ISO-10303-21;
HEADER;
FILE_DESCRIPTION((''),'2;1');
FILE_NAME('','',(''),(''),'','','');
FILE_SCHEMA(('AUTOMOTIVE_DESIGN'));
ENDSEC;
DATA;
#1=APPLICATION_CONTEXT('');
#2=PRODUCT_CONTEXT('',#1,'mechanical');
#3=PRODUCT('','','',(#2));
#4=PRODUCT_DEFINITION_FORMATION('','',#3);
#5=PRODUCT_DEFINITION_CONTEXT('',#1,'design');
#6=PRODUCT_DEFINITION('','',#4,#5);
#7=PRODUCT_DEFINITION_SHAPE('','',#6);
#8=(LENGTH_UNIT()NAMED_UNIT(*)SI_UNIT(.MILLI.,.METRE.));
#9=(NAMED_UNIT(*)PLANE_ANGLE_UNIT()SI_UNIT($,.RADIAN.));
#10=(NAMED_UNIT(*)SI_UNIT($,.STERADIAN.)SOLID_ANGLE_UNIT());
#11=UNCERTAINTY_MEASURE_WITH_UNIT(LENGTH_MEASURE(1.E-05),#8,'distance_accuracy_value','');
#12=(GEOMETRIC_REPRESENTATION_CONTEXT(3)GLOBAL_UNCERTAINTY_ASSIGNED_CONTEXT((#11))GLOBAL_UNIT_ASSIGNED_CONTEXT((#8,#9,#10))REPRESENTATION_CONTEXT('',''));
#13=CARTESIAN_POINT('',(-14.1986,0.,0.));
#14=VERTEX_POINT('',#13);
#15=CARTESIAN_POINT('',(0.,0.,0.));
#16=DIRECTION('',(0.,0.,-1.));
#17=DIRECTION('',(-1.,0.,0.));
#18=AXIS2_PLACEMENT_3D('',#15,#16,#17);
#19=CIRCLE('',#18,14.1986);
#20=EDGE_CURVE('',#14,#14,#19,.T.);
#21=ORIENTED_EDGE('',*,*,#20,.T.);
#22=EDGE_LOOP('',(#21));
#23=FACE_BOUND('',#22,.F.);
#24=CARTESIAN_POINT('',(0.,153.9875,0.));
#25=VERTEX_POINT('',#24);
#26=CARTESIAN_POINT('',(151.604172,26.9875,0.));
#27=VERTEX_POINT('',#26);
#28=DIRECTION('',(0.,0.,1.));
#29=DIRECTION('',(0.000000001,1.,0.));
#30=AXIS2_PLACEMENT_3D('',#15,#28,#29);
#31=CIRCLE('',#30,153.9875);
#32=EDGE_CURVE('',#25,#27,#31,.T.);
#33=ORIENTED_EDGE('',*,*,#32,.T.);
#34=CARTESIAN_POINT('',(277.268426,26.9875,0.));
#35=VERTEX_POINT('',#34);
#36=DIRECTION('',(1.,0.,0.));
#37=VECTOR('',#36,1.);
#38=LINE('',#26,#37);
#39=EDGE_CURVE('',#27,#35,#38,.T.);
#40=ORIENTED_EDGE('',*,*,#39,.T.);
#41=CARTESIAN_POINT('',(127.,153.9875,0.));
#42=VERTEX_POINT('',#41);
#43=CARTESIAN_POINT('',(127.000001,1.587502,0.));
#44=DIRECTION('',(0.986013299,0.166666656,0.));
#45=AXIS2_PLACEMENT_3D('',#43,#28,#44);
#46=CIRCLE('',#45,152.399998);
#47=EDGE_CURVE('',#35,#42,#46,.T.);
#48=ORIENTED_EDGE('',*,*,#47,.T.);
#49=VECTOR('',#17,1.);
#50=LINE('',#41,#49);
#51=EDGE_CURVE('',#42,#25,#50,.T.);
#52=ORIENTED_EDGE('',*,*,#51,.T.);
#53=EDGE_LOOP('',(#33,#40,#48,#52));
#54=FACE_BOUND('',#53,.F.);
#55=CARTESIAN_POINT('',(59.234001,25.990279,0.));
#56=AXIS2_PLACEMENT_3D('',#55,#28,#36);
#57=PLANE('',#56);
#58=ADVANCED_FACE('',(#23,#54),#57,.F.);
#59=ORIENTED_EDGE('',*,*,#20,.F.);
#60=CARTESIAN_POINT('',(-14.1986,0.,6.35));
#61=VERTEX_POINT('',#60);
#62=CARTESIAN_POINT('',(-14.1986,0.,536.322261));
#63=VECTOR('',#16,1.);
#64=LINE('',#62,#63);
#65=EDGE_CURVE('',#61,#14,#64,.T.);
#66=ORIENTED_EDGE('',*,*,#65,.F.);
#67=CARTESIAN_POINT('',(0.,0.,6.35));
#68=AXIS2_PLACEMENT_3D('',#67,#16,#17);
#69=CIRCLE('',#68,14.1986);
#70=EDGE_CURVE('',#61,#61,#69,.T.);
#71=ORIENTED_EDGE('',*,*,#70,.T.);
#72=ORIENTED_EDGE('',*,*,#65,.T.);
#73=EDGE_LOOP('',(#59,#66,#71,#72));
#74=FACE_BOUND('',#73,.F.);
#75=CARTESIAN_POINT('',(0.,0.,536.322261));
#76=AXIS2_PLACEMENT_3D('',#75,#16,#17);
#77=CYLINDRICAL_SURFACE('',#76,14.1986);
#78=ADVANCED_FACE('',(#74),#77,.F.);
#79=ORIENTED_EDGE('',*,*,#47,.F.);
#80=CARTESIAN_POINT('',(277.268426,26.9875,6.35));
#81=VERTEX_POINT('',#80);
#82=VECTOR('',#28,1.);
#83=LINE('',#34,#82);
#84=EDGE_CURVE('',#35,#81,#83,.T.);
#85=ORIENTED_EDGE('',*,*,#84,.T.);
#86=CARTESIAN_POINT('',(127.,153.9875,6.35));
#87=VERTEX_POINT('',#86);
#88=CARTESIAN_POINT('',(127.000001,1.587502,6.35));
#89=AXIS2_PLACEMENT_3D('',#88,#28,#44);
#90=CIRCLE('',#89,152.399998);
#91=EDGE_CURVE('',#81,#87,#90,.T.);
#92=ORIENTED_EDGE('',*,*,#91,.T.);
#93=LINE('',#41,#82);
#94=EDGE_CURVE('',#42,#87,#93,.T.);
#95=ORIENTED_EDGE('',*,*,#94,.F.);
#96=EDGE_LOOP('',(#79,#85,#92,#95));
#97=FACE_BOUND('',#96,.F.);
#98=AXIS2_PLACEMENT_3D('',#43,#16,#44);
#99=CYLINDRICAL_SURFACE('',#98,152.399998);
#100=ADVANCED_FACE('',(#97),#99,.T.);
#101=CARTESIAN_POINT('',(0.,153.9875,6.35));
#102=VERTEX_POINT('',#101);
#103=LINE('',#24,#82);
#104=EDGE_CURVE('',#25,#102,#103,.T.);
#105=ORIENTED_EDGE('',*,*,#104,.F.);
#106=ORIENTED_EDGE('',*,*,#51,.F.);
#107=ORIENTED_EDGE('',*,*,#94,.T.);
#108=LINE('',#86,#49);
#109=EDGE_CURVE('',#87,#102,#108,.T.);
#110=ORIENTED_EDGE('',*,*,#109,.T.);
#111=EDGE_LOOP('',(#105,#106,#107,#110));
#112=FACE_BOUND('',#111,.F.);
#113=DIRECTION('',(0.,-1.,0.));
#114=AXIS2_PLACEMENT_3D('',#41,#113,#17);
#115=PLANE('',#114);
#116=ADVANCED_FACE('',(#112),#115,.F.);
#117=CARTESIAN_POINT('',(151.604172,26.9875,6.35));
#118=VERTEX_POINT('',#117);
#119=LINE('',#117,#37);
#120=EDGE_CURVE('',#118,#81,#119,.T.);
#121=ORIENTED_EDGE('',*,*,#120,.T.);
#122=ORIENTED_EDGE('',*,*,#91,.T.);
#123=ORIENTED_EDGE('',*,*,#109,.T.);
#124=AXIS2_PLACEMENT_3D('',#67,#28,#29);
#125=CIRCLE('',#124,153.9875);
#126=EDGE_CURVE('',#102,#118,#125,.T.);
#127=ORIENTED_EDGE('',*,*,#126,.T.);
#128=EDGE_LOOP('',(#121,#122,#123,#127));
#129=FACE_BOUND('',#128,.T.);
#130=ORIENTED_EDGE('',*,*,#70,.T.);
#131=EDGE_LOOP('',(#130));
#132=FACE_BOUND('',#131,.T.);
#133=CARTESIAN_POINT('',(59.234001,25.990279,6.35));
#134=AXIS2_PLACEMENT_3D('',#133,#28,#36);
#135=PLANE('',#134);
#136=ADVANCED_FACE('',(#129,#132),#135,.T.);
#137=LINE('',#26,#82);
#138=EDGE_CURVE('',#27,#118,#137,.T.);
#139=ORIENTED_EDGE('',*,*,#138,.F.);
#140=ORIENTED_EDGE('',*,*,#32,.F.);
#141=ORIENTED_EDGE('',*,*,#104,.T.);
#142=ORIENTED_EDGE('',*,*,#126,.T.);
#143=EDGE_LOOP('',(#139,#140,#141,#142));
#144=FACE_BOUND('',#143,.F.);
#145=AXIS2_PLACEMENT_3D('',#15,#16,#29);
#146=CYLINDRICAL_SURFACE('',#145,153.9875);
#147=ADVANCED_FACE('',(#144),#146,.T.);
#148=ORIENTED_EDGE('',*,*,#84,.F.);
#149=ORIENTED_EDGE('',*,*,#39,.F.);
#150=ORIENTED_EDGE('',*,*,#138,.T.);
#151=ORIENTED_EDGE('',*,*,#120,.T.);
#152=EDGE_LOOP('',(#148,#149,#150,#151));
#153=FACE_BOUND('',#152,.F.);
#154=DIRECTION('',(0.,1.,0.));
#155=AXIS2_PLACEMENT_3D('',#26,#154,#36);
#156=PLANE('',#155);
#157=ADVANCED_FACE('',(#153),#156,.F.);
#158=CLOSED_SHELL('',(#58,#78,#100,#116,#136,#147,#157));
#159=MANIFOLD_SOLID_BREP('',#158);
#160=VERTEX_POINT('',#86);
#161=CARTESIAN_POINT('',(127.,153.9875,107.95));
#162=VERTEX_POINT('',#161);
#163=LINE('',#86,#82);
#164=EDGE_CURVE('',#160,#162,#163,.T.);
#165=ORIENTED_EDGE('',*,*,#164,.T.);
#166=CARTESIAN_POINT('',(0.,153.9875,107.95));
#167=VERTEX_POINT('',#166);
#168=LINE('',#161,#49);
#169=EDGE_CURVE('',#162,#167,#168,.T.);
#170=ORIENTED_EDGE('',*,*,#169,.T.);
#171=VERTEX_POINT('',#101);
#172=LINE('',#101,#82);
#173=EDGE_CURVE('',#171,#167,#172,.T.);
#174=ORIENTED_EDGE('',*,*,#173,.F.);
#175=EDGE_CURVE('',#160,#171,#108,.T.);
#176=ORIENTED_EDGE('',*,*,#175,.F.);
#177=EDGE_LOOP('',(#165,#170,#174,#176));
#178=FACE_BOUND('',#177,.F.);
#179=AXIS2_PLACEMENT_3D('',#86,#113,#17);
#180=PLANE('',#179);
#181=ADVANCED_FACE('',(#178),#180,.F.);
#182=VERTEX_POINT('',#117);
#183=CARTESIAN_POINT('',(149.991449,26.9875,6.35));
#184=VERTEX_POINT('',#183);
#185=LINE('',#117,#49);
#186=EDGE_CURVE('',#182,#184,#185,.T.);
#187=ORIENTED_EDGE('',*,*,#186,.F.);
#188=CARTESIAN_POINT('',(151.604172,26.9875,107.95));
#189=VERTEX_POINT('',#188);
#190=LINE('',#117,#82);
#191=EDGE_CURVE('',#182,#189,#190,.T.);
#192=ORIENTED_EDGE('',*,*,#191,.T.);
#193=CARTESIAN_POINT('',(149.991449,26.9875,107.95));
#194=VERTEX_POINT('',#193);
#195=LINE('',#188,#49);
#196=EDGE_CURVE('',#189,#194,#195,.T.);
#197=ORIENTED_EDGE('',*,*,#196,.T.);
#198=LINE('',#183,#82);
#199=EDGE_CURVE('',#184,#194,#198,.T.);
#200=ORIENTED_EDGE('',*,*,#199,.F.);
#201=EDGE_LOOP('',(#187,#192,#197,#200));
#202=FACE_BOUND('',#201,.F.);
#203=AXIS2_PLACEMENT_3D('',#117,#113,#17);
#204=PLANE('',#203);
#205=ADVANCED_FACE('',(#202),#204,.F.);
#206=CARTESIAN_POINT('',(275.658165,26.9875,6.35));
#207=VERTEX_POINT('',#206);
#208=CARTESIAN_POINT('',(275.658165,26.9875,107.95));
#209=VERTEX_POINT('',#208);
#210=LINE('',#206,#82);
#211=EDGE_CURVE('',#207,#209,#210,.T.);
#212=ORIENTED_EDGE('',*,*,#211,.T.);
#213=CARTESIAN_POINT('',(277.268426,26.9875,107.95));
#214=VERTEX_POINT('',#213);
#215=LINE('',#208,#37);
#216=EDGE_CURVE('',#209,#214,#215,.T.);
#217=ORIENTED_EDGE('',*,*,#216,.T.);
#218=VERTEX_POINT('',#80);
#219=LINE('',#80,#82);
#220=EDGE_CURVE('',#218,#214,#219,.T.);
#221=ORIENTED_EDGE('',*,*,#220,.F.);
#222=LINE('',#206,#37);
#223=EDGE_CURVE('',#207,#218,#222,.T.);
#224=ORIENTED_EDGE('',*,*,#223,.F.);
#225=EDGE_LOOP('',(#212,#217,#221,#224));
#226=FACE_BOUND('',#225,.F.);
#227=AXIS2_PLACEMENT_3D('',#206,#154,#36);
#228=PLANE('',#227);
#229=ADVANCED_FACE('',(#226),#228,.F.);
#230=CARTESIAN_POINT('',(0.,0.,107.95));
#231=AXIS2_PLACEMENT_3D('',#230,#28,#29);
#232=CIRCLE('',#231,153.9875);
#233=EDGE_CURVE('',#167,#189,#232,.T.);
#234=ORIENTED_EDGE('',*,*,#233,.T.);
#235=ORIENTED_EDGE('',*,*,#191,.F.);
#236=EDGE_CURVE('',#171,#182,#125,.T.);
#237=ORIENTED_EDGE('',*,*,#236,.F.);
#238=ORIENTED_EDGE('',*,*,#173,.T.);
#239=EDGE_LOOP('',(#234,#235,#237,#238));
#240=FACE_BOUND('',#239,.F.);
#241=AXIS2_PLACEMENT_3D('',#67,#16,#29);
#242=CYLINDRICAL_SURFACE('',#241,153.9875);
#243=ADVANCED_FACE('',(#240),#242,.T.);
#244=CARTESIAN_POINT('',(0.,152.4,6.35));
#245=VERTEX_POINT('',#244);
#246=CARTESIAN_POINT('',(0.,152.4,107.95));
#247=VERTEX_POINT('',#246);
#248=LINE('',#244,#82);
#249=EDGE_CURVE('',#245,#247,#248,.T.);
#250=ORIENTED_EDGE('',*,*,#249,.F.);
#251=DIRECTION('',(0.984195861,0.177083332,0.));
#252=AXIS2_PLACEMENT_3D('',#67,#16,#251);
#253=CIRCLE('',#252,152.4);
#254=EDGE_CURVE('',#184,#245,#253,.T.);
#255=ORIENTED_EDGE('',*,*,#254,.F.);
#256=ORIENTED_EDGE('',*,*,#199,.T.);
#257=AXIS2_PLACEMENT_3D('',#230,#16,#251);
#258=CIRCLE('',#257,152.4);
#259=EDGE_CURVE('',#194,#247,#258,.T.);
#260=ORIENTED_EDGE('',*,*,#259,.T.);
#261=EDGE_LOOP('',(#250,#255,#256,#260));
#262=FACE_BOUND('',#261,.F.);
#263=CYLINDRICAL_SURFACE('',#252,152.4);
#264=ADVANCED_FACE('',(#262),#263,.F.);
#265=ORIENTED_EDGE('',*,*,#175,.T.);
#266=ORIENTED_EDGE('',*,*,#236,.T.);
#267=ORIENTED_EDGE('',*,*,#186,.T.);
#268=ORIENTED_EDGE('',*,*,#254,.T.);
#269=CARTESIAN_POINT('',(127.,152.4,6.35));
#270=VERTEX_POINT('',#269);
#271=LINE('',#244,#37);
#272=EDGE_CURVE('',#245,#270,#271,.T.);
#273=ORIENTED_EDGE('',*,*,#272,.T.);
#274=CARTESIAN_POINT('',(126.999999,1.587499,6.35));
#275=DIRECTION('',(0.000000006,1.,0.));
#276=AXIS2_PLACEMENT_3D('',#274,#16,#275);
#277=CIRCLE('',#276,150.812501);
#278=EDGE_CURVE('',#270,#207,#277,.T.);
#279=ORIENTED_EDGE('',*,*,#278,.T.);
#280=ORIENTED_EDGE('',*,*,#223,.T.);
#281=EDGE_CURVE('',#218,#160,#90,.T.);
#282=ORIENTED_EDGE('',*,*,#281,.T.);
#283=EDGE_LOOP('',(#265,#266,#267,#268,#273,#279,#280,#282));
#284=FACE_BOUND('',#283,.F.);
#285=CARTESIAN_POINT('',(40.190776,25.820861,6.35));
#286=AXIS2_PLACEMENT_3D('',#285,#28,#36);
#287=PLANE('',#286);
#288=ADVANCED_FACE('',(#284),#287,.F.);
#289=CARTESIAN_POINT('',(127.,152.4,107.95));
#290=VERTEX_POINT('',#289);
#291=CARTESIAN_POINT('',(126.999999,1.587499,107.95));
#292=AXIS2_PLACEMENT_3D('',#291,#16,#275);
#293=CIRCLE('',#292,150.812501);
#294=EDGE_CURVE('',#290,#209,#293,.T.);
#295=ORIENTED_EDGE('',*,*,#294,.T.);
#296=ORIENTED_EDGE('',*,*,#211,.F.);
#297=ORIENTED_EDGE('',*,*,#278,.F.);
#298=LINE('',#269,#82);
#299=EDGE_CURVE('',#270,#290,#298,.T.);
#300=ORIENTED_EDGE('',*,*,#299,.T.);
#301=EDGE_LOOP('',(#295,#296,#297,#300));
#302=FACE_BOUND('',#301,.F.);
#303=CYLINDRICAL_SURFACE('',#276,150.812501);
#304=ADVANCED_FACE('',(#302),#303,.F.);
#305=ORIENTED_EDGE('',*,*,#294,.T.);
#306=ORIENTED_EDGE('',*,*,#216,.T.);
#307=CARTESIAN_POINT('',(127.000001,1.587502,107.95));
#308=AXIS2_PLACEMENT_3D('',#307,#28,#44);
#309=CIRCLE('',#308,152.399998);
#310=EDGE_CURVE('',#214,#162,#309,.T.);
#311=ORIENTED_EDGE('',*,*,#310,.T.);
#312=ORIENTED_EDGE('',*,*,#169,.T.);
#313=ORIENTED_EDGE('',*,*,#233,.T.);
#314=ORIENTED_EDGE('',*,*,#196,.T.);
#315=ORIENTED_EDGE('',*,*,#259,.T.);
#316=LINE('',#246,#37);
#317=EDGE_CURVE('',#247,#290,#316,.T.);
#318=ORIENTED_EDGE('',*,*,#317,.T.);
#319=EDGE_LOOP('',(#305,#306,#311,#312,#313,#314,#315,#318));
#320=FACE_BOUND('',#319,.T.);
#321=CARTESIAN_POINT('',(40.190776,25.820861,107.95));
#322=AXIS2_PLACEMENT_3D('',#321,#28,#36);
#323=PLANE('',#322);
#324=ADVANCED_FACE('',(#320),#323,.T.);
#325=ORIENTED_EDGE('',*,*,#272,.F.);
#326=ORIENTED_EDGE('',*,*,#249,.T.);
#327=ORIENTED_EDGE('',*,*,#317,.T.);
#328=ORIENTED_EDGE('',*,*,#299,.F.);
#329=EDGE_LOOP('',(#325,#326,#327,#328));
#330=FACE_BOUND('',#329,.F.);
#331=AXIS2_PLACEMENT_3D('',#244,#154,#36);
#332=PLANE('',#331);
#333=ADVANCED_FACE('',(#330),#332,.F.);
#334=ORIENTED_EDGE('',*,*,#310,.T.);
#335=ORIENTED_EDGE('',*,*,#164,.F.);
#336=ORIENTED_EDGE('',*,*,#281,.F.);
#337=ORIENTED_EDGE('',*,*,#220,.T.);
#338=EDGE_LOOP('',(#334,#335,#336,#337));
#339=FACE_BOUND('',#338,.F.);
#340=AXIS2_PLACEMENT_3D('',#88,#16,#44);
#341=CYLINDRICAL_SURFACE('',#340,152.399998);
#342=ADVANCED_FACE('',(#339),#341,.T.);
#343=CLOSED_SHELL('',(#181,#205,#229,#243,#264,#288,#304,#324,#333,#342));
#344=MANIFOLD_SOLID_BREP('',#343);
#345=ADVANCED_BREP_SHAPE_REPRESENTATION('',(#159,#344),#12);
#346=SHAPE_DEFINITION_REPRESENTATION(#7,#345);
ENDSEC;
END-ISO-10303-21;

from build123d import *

# Parameters (mm, degrees)
F1_DEPTH = 6.35
F3_D     = 28.3972
F5_DEPTH = 101.6


with BuildPart() as f1:
    # F0 (on Top) → F1 (new body)
    with BuildSketch(Plane.XY):
        with BuildLine():
            Line((127, 153.9875), (0, 153.9875))
            ThreePointArc((0, 153.9875), (-98.884813, -118.042128), (151.604172, 26.9875))
            Line((151.604172, 26.9875), (277.268426, 26.9875))
            ThreePointArc((277.268426, 26.9875), (225.373777, 117.984923), (127, 153.9875))
        make_face()
    extrude(amount=F1_DEPTH)

    # F3 (through all)
    with Locations(Plane.XY.offset(6.35)):
        with Locations((0, 0)):
            Hole(F3_D / 2)


with BuildPart() as f5:
    # F4 (on face) → F5 (new body)
    with BuildSketch(Plane.XY.offset(6.35)):
        with BuildLine():
            ThreePointArc((149.991449, 26.9875), (-97.757007, -116.915899), (0, 152.4))
            Line((0, 152.4), (127, 152.4))
            ThreePointArc((127, 152.4), (224.246523, 116.859022), (275.658165, 26.9875))
            Line((275.658165, 26.9875), (277.268426, 26.9875))
            ThreePointArc((277.268426, 26.9875), (225.373777, 117.984923), (127, 153.9875))
            Line((127, 153.9875), (0, 153.9875))
            ThreePointArc((0, 153.9875), (-98.884813, -118.042128), (151.604172, 26.9875))
            Line((151.604172, 26.9875), (149.991449, 26.9875))
        make_face()
    extrude(amount=F5_DEPTH)


solid = Compound([f1.part, f5.part])
